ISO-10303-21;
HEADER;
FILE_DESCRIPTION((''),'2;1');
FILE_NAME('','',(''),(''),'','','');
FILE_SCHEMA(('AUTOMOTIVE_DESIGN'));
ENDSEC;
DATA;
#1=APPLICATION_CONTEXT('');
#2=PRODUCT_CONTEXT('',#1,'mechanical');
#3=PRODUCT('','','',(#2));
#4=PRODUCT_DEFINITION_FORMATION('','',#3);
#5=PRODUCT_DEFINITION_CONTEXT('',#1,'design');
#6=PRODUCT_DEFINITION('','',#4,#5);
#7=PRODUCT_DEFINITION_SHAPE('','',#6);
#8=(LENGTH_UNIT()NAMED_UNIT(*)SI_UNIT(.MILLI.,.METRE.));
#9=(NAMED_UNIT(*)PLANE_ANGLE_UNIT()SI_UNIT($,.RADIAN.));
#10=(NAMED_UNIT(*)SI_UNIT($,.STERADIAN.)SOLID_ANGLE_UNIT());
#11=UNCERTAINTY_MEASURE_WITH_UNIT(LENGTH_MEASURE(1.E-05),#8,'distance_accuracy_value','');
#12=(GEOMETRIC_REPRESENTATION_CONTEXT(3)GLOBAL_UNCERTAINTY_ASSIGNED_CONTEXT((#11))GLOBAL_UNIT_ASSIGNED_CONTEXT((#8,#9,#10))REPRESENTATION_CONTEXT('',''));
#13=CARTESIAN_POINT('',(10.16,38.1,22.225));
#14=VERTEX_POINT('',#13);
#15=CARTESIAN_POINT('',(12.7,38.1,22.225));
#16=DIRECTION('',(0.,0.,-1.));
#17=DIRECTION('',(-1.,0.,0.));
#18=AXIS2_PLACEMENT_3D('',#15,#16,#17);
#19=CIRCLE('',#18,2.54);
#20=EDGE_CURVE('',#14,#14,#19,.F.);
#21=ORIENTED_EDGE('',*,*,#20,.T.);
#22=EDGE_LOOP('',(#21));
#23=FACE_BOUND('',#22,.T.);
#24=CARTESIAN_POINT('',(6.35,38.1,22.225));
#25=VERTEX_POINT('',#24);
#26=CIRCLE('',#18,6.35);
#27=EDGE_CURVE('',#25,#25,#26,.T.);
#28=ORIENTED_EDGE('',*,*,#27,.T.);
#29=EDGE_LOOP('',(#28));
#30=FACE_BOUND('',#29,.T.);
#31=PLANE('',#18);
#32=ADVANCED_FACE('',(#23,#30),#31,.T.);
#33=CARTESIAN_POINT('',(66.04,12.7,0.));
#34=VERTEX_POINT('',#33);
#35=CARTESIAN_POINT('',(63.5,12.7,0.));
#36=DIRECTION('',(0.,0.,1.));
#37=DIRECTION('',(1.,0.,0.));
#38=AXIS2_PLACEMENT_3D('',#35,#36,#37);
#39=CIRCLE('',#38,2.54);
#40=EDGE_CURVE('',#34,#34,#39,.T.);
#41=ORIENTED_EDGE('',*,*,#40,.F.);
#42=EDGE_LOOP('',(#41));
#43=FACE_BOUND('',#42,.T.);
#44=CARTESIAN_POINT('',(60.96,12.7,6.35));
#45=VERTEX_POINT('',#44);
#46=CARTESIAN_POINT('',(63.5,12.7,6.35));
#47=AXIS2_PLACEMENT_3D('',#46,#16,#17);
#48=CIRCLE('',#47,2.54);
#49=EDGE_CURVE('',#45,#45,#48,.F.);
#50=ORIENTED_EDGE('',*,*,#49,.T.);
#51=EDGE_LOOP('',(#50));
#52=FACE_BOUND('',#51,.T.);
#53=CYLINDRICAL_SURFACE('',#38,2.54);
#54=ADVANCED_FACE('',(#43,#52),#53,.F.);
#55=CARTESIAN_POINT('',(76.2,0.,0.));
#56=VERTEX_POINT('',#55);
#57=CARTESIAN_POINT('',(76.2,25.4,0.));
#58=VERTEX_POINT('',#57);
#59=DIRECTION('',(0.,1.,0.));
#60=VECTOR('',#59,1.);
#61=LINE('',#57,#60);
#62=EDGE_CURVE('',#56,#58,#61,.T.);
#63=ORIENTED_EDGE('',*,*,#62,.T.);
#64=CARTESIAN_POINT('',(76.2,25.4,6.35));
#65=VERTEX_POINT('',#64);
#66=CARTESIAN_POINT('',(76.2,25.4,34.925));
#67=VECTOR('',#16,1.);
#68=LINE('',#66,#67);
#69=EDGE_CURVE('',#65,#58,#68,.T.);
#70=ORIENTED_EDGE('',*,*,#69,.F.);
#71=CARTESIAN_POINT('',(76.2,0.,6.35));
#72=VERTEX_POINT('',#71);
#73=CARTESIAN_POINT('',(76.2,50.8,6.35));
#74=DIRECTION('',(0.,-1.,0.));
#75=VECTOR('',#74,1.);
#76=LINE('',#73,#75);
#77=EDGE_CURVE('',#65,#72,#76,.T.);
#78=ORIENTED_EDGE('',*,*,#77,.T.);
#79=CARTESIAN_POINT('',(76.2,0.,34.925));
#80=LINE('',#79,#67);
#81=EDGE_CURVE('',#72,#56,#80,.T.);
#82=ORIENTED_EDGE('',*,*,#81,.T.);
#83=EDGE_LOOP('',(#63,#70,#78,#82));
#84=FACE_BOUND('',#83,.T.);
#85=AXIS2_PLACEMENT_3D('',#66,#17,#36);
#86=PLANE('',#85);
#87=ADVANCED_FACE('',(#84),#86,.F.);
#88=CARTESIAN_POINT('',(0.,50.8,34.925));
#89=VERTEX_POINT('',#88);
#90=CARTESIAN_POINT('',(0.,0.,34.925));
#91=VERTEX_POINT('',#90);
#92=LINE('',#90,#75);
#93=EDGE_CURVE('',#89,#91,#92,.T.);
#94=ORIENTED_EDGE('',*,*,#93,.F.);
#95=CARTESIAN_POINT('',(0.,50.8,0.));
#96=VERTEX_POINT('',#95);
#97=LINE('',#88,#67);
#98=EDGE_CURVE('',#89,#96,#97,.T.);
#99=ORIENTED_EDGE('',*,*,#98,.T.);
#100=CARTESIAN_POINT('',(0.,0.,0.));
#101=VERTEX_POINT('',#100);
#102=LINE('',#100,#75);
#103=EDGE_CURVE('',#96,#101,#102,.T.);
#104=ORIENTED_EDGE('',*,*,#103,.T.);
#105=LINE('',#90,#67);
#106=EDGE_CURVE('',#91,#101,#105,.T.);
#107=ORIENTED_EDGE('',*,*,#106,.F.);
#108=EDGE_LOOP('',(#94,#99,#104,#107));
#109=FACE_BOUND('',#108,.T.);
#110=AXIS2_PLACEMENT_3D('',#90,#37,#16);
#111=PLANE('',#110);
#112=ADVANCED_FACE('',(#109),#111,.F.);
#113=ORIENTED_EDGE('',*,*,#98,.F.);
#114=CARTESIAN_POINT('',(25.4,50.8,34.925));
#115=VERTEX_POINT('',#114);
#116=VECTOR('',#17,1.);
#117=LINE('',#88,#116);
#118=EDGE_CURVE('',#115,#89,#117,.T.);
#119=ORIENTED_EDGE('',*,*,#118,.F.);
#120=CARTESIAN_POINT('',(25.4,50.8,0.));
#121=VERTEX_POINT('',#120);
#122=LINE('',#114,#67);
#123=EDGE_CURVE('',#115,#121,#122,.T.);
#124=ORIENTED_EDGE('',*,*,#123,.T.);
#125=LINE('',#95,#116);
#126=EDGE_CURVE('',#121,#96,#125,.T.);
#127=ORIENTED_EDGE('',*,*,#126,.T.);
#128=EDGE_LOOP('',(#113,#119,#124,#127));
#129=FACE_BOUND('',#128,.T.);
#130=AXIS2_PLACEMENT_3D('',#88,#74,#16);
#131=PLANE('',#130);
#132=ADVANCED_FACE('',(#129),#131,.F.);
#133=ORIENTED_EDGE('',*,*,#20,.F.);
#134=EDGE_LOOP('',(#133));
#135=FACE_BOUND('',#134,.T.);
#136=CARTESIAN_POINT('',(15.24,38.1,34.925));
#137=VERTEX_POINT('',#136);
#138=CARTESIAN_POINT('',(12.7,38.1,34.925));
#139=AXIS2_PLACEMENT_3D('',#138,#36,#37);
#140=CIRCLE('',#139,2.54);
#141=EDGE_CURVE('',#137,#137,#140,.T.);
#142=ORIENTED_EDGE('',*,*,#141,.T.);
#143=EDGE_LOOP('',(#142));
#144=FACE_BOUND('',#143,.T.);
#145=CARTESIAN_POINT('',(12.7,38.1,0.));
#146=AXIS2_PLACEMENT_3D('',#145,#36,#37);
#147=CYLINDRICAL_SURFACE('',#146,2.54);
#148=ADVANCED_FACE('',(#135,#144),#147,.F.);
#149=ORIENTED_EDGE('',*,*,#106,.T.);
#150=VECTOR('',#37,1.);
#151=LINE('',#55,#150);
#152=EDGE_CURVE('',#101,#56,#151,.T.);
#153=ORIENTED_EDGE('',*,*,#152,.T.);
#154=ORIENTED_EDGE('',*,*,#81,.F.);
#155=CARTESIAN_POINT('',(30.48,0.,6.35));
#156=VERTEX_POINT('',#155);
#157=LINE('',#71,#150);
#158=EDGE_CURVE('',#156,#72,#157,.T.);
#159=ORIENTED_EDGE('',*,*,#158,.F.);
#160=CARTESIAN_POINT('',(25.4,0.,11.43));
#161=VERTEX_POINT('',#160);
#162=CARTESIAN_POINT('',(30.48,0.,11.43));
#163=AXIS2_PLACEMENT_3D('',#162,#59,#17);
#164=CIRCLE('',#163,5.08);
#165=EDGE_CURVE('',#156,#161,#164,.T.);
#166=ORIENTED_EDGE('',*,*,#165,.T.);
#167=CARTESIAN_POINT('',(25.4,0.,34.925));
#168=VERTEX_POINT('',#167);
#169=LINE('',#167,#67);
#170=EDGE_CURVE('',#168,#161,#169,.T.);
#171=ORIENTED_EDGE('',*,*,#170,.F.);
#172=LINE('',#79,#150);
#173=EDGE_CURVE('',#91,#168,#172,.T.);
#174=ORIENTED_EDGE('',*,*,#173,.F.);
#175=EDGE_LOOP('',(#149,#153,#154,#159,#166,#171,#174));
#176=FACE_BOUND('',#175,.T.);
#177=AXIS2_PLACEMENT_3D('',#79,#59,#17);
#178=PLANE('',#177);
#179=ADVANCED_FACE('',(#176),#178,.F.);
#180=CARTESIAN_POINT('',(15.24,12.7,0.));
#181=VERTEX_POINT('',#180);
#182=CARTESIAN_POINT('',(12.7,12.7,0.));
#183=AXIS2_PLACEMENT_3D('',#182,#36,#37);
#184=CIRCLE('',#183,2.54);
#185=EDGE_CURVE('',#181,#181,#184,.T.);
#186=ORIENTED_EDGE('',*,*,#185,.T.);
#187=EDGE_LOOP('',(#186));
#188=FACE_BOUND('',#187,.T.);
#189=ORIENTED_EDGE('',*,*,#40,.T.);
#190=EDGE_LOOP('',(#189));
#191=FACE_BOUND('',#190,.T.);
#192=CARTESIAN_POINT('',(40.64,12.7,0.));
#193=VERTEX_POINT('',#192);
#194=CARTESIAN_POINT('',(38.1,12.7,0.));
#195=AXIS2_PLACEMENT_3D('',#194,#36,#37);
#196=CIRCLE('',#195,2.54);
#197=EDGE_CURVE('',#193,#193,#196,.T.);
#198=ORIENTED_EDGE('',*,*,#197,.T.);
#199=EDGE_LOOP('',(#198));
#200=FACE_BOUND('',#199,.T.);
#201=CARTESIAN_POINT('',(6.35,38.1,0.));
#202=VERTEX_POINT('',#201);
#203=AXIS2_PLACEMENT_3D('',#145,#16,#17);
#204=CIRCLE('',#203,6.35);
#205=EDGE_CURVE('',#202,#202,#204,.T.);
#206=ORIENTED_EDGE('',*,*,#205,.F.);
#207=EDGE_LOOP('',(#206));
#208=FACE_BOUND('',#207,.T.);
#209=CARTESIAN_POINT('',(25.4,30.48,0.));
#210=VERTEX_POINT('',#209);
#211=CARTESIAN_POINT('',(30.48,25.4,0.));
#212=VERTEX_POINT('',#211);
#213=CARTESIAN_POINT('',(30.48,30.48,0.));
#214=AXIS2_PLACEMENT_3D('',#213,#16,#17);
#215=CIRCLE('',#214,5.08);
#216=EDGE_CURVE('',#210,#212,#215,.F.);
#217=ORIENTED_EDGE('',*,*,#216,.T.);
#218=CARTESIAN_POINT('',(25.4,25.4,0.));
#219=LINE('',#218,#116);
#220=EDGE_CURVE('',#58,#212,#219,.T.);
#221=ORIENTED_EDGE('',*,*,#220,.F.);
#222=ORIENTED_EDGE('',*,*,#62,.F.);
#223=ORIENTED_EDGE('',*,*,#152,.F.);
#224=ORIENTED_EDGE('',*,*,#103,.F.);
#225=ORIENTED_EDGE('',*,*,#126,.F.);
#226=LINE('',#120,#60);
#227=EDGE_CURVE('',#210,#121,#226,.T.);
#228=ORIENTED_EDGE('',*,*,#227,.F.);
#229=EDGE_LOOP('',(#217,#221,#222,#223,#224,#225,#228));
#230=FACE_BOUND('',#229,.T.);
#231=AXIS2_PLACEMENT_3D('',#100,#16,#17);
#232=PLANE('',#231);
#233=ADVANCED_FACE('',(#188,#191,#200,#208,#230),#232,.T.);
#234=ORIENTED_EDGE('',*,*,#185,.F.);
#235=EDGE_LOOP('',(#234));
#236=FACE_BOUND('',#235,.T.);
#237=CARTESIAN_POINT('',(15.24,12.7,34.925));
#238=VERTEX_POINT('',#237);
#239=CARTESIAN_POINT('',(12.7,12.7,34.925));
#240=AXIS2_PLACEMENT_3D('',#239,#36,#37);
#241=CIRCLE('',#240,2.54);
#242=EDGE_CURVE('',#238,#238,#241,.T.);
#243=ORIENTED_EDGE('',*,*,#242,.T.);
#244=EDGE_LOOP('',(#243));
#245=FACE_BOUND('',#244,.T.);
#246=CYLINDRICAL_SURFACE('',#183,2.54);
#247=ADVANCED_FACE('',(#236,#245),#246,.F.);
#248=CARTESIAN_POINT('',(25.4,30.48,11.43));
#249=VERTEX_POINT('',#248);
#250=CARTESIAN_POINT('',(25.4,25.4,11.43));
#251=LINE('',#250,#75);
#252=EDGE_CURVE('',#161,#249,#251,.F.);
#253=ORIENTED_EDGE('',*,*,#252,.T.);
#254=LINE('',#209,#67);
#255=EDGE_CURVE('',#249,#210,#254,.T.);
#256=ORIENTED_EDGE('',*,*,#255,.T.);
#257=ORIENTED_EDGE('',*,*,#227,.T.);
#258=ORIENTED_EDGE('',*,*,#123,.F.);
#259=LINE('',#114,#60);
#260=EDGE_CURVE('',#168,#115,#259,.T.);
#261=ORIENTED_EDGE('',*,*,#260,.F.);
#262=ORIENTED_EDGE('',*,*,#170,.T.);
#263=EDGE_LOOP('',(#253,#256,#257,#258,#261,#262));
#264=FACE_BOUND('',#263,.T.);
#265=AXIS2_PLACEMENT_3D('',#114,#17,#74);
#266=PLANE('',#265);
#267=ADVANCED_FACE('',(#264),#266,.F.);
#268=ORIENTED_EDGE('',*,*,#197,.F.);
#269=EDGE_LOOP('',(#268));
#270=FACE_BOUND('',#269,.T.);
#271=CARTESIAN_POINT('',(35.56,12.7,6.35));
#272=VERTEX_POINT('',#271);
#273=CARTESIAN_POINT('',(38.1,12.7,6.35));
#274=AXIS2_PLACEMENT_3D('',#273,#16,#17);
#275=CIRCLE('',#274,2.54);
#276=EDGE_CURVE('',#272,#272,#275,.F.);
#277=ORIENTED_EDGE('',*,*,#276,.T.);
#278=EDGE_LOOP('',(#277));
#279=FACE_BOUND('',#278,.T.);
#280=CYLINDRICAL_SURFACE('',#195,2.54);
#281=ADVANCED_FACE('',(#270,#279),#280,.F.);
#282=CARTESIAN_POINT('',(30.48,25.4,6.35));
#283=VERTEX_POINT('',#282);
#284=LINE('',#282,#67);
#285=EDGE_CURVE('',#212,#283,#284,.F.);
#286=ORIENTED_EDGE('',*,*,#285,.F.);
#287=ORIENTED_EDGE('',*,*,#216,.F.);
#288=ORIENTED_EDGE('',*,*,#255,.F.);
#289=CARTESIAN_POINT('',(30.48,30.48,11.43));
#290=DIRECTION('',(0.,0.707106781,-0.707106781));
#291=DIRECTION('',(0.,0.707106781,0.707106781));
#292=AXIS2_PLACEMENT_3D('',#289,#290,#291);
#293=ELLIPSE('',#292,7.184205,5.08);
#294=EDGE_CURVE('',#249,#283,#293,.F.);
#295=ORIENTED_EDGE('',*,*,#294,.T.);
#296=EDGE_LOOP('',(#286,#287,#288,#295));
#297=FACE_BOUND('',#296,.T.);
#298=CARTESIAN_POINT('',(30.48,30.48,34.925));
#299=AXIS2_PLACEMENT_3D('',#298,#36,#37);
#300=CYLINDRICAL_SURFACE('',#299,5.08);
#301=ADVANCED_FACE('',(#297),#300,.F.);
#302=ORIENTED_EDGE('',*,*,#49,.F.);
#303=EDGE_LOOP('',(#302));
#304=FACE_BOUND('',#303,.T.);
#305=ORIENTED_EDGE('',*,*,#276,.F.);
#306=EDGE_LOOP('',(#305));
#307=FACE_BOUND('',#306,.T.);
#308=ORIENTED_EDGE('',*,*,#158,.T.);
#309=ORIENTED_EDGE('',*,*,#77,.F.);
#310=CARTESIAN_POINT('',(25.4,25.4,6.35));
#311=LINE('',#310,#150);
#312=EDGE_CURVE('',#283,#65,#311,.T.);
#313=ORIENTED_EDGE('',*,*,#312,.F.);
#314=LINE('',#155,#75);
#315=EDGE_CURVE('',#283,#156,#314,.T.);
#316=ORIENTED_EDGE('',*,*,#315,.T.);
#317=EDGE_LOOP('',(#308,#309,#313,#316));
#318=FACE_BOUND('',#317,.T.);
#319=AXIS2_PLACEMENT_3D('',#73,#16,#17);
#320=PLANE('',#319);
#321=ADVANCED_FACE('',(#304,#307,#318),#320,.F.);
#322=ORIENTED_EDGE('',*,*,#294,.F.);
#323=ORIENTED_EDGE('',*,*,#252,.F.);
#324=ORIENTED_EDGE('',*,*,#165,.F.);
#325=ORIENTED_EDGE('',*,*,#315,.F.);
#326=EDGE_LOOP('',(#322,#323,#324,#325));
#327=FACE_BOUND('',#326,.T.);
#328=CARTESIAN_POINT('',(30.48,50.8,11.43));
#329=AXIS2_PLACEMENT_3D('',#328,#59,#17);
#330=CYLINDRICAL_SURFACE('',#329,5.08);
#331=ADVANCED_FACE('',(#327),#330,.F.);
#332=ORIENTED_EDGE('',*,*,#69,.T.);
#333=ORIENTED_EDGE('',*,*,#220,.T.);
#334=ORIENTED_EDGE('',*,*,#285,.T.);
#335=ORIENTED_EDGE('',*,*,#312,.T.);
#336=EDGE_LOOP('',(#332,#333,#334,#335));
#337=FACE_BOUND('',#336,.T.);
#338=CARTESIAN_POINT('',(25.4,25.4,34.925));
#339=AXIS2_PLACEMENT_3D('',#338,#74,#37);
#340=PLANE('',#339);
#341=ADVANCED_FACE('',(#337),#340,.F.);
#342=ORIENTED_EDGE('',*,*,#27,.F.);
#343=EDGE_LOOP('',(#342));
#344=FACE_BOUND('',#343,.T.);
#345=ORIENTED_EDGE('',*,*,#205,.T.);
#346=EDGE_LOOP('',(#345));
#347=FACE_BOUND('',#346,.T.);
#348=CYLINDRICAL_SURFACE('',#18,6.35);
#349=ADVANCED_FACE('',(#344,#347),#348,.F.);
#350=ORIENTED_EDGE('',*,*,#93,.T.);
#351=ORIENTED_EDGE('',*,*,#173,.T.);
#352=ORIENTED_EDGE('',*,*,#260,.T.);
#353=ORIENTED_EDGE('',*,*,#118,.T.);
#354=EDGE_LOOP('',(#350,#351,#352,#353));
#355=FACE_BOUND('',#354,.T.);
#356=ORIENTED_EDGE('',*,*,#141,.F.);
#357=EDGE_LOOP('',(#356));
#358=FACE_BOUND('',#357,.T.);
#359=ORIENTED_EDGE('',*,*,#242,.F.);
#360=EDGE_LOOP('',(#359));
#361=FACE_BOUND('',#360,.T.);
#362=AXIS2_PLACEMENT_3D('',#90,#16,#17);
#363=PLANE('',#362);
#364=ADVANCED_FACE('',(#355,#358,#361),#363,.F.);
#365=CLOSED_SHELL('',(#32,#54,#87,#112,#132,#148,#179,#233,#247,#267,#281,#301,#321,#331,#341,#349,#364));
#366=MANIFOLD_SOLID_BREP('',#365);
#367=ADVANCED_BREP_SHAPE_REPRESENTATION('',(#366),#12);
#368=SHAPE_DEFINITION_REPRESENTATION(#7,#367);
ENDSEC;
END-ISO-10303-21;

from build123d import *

# Parameters (mm, degrees)
BOSS_EXTRUDE1_DEPTH = 34.925
SKETCH2_R           = 2.54
CUT_EXTRUDE1_DEPTH  = 99.014466407
SKETCH4_W           = 50.8
SKETCH4_H           = 28.575
CUT_EXTRUDE3_DEPTH  = 99.014466407
FILLET1_R           = 5.08
SKETCH5_R           = 6.35
CUT_EXTRUDE4_DEPTH  = 22.225


with BuildPart() as part:
    # Sketch1 → Boss-Extrude1 (new body)
    with BuildSketch(Plane.XY):
        Polygon((0, 0), (0, 50.8), (25.4, 50.8), (25.4, 25.4), (76.2, 25.4), (76.2, 0), align=None)
    extrude(amount=BOSS_EXTRUDE1_DEPTH)

    # Sketch2 → Cut-Extrude1 (cut, through all)
    with BuildSketch(Plane.XY.offset(34.925)):
        with Locations((12.7, 38.1)):
            Circle(SKETCH2_R)
        with Locations((12.7, 12.7)):
            Circle(SKETCH2_R)
        with Locations((38.1, 12.7)):
            Circle(SKETCH2_R)
        with Locations((63.5, 12.7)):
            Circle(SKETCH2_R)
    extrude(amount=-CUT_EXTRUDE1_DEPTH, mode=Mode.SUBTRACT)

    # Sketch4 → Cut-Extrude3 (cut, through all)
    with BuildSketch(Plane.XZ):
        with Locations((50.8, 20.6375)):
            Rectangle(SKETCH4_W, SKETCH4_H)
    extrude(amount=-CUT_EXTRUDE3_DEPTH, mode=Mode.SUBTRACT)

    # Fillet1
    fillet1_edges = [part.edges().sort_by_distance(p)[0] for p in [
        (25.4, 25.4, 3.175),
        (25.4, 12.7, 6.35),
    ]]
    fillet(fillet1_edges, radius=FILLET1_R)

    # Sketch5 → Cut-Extrude4 (cut)
    with BuildSketch(Plane(origin=(0, 0, 0), x_dir=(-1, 0, 0), z_dir=(0, 0, -1))):
        with Locations((-12.7, 38.1)):
            Circle(SKETCH5_R)
    extrude(amount=-CUT_EXTRUDE4_DEPTH, mode=Mode.SUBTRACT)


solid = part.part
